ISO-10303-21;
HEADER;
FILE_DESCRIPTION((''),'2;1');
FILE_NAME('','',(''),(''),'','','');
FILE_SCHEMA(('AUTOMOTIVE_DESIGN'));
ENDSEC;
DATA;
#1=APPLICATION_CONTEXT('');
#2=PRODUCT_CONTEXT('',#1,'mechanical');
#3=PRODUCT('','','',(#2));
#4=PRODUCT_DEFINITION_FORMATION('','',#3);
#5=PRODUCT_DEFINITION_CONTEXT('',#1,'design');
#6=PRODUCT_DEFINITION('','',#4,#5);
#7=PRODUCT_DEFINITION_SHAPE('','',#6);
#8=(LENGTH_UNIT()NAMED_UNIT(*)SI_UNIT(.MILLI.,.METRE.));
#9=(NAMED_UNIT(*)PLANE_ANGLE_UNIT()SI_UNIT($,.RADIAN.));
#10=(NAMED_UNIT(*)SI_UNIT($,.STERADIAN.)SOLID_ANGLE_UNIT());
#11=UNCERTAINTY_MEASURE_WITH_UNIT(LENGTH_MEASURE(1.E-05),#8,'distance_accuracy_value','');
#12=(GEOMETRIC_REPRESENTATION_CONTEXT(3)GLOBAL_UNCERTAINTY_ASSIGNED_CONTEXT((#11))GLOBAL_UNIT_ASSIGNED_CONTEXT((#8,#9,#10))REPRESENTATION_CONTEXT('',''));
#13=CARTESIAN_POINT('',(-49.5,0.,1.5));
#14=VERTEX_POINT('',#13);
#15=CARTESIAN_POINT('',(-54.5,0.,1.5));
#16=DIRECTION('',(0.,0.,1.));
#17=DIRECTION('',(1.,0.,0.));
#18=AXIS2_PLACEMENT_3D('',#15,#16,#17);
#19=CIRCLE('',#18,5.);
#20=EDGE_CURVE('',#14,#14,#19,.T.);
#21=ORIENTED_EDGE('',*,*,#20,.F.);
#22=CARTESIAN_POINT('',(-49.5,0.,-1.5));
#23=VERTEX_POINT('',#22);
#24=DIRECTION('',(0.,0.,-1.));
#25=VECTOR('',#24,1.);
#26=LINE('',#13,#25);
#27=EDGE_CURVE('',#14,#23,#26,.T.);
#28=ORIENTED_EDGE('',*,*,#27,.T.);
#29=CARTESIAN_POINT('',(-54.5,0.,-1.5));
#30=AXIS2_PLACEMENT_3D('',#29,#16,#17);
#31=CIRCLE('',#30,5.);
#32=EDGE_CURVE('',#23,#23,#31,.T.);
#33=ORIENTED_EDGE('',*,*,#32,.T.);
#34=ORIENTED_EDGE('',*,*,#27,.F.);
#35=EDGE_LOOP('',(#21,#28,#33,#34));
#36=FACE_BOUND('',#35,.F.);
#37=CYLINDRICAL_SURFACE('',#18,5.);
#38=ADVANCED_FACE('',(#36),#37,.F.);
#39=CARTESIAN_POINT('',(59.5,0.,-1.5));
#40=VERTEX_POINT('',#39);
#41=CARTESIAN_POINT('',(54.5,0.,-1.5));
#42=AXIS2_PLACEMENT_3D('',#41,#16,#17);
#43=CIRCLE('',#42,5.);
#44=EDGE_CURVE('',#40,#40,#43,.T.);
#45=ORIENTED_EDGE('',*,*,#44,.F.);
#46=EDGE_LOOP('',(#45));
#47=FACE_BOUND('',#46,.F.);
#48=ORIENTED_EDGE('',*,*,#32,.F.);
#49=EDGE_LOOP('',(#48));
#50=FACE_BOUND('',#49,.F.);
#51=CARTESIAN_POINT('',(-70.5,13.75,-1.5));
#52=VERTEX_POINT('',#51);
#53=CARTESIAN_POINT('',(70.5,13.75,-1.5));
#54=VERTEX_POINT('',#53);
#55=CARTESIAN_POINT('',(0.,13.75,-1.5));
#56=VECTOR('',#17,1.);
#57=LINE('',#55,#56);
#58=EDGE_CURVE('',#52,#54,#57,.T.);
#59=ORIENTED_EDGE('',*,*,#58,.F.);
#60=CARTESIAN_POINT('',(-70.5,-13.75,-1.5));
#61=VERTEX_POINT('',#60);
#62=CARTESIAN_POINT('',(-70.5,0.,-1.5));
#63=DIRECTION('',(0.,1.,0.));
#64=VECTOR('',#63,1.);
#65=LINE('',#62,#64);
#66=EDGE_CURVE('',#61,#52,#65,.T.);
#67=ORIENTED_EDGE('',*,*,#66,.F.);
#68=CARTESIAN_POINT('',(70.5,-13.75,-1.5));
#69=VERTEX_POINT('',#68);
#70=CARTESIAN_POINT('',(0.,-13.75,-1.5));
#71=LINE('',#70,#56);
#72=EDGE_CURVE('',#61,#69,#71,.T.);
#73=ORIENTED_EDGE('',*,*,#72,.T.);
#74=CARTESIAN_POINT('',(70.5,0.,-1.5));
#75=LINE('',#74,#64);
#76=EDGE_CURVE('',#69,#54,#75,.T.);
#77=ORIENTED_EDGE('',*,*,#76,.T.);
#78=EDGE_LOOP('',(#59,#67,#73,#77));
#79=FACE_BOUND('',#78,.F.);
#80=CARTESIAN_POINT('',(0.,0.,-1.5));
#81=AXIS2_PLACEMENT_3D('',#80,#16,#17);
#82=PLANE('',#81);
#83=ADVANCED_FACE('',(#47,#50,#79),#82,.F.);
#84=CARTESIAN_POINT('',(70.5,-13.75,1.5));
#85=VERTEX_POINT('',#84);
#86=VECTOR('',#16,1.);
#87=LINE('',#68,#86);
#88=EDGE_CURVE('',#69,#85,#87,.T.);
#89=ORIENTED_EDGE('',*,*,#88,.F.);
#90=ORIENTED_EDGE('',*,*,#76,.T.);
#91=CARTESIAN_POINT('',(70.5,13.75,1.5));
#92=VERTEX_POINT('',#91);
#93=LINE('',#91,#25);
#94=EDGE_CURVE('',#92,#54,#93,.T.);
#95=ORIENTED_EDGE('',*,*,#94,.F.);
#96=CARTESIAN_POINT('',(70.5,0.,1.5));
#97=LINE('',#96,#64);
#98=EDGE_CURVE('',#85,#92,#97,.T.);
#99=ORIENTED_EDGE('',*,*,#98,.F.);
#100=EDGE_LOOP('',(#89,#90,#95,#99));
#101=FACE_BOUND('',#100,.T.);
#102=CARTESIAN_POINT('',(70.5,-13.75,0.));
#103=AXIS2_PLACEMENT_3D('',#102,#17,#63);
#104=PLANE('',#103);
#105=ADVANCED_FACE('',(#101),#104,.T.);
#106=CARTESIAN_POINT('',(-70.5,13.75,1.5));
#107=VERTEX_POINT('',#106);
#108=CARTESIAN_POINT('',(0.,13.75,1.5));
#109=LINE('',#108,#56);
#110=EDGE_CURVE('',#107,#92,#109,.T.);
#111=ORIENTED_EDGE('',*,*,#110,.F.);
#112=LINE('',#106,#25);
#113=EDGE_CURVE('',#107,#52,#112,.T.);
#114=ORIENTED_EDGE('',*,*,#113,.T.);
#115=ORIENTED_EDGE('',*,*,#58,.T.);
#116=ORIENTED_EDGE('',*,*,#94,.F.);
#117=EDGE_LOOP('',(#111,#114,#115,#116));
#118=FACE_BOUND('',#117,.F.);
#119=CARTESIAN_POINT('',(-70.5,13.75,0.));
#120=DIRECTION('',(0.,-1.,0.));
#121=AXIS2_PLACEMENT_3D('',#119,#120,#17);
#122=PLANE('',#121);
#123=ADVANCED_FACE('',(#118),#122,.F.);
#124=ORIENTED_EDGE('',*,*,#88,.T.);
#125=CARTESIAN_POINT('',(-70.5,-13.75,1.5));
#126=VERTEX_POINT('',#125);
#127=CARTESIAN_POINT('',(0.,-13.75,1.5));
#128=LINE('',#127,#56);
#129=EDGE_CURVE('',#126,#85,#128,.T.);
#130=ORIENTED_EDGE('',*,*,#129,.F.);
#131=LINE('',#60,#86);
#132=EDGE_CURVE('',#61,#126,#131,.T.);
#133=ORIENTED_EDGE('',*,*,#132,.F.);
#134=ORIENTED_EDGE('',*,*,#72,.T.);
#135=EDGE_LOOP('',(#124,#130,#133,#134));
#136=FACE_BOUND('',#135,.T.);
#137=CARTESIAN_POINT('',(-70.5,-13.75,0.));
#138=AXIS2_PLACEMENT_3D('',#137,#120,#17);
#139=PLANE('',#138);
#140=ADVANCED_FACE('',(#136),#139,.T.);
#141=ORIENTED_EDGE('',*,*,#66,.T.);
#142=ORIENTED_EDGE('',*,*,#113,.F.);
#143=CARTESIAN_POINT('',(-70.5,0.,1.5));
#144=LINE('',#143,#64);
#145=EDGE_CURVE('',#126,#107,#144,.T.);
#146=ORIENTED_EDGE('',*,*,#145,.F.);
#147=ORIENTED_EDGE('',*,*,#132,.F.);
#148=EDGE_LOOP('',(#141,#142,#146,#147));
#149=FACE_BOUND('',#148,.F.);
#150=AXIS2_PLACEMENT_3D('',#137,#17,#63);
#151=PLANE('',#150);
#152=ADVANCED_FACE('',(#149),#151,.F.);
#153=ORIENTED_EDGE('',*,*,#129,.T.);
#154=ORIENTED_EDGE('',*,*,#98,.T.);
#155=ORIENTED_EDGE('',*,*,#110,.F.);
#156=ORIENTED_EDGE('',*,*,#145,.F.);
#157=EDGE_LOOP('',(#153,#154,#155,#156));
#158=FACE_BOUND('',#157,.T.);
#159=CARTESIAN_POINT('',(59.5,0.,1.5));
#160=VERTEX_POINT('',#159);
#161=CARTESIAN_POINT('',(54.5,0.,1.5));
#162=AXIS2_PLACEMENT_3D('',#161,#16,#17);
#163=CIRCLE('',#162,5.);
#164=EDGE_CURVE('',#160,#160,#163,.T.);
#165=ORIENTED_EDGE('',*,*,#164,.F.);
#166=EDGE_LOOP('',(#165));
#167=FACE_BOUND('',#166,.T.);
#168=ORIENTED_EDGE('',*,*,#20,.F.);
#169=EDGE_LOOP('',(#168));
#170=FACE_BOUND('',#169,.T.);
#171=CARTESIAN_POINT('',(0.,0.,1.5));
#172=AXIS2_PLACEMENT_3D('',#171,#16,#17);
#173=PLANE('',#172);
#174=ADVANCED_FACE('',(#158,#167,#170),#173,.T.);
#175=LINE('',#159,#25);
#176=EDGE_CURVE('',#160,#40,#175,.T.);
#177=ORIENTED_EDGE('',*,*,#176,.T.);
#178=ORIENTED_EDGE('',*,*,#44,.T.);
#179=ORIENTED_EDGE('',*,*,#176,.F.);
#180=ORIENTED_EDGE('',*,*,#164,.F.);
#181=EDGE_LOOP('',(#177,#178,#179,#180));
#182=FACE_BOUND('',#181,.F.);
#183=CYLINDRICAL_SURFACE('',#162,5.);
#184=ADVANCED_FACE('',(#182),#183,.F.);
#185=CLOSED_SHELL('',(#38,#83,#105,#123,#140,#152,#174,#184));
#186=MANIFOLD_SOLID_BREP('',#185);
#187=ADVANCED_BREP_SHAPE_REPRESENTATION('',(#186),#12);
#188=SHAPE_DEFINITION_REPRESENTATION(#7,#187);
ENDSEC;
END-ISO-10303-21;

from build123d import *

# Parameters (mm, degrees)
F0_W     = 141
F0_H     = 27.5
F1_DEPTH = 1.5
F2_R     = 5
F3_DEPTH = 3


with BuildPart() as f1:
    # F0 (on Top) → F1 (new body, symmetric)
    with BuildSketch(Plane.XY):
        Rectangle(F0_W, F0_H)
    extrude(amount=F1_DEPTH, both=True)

    # F2 (on face) → F3 (cut, through all)
    with BuildSketch(Plane.XY.offset(1.5)):
        with Locations((54.5, 0)):
            Circle(F2_R)
        with Locations((-54.5, 0)):
            Circle(F2_R)
    extrude(amount=-F3_DEPTH, mode=Mode.SUBTRACT)


solid = f1.part
